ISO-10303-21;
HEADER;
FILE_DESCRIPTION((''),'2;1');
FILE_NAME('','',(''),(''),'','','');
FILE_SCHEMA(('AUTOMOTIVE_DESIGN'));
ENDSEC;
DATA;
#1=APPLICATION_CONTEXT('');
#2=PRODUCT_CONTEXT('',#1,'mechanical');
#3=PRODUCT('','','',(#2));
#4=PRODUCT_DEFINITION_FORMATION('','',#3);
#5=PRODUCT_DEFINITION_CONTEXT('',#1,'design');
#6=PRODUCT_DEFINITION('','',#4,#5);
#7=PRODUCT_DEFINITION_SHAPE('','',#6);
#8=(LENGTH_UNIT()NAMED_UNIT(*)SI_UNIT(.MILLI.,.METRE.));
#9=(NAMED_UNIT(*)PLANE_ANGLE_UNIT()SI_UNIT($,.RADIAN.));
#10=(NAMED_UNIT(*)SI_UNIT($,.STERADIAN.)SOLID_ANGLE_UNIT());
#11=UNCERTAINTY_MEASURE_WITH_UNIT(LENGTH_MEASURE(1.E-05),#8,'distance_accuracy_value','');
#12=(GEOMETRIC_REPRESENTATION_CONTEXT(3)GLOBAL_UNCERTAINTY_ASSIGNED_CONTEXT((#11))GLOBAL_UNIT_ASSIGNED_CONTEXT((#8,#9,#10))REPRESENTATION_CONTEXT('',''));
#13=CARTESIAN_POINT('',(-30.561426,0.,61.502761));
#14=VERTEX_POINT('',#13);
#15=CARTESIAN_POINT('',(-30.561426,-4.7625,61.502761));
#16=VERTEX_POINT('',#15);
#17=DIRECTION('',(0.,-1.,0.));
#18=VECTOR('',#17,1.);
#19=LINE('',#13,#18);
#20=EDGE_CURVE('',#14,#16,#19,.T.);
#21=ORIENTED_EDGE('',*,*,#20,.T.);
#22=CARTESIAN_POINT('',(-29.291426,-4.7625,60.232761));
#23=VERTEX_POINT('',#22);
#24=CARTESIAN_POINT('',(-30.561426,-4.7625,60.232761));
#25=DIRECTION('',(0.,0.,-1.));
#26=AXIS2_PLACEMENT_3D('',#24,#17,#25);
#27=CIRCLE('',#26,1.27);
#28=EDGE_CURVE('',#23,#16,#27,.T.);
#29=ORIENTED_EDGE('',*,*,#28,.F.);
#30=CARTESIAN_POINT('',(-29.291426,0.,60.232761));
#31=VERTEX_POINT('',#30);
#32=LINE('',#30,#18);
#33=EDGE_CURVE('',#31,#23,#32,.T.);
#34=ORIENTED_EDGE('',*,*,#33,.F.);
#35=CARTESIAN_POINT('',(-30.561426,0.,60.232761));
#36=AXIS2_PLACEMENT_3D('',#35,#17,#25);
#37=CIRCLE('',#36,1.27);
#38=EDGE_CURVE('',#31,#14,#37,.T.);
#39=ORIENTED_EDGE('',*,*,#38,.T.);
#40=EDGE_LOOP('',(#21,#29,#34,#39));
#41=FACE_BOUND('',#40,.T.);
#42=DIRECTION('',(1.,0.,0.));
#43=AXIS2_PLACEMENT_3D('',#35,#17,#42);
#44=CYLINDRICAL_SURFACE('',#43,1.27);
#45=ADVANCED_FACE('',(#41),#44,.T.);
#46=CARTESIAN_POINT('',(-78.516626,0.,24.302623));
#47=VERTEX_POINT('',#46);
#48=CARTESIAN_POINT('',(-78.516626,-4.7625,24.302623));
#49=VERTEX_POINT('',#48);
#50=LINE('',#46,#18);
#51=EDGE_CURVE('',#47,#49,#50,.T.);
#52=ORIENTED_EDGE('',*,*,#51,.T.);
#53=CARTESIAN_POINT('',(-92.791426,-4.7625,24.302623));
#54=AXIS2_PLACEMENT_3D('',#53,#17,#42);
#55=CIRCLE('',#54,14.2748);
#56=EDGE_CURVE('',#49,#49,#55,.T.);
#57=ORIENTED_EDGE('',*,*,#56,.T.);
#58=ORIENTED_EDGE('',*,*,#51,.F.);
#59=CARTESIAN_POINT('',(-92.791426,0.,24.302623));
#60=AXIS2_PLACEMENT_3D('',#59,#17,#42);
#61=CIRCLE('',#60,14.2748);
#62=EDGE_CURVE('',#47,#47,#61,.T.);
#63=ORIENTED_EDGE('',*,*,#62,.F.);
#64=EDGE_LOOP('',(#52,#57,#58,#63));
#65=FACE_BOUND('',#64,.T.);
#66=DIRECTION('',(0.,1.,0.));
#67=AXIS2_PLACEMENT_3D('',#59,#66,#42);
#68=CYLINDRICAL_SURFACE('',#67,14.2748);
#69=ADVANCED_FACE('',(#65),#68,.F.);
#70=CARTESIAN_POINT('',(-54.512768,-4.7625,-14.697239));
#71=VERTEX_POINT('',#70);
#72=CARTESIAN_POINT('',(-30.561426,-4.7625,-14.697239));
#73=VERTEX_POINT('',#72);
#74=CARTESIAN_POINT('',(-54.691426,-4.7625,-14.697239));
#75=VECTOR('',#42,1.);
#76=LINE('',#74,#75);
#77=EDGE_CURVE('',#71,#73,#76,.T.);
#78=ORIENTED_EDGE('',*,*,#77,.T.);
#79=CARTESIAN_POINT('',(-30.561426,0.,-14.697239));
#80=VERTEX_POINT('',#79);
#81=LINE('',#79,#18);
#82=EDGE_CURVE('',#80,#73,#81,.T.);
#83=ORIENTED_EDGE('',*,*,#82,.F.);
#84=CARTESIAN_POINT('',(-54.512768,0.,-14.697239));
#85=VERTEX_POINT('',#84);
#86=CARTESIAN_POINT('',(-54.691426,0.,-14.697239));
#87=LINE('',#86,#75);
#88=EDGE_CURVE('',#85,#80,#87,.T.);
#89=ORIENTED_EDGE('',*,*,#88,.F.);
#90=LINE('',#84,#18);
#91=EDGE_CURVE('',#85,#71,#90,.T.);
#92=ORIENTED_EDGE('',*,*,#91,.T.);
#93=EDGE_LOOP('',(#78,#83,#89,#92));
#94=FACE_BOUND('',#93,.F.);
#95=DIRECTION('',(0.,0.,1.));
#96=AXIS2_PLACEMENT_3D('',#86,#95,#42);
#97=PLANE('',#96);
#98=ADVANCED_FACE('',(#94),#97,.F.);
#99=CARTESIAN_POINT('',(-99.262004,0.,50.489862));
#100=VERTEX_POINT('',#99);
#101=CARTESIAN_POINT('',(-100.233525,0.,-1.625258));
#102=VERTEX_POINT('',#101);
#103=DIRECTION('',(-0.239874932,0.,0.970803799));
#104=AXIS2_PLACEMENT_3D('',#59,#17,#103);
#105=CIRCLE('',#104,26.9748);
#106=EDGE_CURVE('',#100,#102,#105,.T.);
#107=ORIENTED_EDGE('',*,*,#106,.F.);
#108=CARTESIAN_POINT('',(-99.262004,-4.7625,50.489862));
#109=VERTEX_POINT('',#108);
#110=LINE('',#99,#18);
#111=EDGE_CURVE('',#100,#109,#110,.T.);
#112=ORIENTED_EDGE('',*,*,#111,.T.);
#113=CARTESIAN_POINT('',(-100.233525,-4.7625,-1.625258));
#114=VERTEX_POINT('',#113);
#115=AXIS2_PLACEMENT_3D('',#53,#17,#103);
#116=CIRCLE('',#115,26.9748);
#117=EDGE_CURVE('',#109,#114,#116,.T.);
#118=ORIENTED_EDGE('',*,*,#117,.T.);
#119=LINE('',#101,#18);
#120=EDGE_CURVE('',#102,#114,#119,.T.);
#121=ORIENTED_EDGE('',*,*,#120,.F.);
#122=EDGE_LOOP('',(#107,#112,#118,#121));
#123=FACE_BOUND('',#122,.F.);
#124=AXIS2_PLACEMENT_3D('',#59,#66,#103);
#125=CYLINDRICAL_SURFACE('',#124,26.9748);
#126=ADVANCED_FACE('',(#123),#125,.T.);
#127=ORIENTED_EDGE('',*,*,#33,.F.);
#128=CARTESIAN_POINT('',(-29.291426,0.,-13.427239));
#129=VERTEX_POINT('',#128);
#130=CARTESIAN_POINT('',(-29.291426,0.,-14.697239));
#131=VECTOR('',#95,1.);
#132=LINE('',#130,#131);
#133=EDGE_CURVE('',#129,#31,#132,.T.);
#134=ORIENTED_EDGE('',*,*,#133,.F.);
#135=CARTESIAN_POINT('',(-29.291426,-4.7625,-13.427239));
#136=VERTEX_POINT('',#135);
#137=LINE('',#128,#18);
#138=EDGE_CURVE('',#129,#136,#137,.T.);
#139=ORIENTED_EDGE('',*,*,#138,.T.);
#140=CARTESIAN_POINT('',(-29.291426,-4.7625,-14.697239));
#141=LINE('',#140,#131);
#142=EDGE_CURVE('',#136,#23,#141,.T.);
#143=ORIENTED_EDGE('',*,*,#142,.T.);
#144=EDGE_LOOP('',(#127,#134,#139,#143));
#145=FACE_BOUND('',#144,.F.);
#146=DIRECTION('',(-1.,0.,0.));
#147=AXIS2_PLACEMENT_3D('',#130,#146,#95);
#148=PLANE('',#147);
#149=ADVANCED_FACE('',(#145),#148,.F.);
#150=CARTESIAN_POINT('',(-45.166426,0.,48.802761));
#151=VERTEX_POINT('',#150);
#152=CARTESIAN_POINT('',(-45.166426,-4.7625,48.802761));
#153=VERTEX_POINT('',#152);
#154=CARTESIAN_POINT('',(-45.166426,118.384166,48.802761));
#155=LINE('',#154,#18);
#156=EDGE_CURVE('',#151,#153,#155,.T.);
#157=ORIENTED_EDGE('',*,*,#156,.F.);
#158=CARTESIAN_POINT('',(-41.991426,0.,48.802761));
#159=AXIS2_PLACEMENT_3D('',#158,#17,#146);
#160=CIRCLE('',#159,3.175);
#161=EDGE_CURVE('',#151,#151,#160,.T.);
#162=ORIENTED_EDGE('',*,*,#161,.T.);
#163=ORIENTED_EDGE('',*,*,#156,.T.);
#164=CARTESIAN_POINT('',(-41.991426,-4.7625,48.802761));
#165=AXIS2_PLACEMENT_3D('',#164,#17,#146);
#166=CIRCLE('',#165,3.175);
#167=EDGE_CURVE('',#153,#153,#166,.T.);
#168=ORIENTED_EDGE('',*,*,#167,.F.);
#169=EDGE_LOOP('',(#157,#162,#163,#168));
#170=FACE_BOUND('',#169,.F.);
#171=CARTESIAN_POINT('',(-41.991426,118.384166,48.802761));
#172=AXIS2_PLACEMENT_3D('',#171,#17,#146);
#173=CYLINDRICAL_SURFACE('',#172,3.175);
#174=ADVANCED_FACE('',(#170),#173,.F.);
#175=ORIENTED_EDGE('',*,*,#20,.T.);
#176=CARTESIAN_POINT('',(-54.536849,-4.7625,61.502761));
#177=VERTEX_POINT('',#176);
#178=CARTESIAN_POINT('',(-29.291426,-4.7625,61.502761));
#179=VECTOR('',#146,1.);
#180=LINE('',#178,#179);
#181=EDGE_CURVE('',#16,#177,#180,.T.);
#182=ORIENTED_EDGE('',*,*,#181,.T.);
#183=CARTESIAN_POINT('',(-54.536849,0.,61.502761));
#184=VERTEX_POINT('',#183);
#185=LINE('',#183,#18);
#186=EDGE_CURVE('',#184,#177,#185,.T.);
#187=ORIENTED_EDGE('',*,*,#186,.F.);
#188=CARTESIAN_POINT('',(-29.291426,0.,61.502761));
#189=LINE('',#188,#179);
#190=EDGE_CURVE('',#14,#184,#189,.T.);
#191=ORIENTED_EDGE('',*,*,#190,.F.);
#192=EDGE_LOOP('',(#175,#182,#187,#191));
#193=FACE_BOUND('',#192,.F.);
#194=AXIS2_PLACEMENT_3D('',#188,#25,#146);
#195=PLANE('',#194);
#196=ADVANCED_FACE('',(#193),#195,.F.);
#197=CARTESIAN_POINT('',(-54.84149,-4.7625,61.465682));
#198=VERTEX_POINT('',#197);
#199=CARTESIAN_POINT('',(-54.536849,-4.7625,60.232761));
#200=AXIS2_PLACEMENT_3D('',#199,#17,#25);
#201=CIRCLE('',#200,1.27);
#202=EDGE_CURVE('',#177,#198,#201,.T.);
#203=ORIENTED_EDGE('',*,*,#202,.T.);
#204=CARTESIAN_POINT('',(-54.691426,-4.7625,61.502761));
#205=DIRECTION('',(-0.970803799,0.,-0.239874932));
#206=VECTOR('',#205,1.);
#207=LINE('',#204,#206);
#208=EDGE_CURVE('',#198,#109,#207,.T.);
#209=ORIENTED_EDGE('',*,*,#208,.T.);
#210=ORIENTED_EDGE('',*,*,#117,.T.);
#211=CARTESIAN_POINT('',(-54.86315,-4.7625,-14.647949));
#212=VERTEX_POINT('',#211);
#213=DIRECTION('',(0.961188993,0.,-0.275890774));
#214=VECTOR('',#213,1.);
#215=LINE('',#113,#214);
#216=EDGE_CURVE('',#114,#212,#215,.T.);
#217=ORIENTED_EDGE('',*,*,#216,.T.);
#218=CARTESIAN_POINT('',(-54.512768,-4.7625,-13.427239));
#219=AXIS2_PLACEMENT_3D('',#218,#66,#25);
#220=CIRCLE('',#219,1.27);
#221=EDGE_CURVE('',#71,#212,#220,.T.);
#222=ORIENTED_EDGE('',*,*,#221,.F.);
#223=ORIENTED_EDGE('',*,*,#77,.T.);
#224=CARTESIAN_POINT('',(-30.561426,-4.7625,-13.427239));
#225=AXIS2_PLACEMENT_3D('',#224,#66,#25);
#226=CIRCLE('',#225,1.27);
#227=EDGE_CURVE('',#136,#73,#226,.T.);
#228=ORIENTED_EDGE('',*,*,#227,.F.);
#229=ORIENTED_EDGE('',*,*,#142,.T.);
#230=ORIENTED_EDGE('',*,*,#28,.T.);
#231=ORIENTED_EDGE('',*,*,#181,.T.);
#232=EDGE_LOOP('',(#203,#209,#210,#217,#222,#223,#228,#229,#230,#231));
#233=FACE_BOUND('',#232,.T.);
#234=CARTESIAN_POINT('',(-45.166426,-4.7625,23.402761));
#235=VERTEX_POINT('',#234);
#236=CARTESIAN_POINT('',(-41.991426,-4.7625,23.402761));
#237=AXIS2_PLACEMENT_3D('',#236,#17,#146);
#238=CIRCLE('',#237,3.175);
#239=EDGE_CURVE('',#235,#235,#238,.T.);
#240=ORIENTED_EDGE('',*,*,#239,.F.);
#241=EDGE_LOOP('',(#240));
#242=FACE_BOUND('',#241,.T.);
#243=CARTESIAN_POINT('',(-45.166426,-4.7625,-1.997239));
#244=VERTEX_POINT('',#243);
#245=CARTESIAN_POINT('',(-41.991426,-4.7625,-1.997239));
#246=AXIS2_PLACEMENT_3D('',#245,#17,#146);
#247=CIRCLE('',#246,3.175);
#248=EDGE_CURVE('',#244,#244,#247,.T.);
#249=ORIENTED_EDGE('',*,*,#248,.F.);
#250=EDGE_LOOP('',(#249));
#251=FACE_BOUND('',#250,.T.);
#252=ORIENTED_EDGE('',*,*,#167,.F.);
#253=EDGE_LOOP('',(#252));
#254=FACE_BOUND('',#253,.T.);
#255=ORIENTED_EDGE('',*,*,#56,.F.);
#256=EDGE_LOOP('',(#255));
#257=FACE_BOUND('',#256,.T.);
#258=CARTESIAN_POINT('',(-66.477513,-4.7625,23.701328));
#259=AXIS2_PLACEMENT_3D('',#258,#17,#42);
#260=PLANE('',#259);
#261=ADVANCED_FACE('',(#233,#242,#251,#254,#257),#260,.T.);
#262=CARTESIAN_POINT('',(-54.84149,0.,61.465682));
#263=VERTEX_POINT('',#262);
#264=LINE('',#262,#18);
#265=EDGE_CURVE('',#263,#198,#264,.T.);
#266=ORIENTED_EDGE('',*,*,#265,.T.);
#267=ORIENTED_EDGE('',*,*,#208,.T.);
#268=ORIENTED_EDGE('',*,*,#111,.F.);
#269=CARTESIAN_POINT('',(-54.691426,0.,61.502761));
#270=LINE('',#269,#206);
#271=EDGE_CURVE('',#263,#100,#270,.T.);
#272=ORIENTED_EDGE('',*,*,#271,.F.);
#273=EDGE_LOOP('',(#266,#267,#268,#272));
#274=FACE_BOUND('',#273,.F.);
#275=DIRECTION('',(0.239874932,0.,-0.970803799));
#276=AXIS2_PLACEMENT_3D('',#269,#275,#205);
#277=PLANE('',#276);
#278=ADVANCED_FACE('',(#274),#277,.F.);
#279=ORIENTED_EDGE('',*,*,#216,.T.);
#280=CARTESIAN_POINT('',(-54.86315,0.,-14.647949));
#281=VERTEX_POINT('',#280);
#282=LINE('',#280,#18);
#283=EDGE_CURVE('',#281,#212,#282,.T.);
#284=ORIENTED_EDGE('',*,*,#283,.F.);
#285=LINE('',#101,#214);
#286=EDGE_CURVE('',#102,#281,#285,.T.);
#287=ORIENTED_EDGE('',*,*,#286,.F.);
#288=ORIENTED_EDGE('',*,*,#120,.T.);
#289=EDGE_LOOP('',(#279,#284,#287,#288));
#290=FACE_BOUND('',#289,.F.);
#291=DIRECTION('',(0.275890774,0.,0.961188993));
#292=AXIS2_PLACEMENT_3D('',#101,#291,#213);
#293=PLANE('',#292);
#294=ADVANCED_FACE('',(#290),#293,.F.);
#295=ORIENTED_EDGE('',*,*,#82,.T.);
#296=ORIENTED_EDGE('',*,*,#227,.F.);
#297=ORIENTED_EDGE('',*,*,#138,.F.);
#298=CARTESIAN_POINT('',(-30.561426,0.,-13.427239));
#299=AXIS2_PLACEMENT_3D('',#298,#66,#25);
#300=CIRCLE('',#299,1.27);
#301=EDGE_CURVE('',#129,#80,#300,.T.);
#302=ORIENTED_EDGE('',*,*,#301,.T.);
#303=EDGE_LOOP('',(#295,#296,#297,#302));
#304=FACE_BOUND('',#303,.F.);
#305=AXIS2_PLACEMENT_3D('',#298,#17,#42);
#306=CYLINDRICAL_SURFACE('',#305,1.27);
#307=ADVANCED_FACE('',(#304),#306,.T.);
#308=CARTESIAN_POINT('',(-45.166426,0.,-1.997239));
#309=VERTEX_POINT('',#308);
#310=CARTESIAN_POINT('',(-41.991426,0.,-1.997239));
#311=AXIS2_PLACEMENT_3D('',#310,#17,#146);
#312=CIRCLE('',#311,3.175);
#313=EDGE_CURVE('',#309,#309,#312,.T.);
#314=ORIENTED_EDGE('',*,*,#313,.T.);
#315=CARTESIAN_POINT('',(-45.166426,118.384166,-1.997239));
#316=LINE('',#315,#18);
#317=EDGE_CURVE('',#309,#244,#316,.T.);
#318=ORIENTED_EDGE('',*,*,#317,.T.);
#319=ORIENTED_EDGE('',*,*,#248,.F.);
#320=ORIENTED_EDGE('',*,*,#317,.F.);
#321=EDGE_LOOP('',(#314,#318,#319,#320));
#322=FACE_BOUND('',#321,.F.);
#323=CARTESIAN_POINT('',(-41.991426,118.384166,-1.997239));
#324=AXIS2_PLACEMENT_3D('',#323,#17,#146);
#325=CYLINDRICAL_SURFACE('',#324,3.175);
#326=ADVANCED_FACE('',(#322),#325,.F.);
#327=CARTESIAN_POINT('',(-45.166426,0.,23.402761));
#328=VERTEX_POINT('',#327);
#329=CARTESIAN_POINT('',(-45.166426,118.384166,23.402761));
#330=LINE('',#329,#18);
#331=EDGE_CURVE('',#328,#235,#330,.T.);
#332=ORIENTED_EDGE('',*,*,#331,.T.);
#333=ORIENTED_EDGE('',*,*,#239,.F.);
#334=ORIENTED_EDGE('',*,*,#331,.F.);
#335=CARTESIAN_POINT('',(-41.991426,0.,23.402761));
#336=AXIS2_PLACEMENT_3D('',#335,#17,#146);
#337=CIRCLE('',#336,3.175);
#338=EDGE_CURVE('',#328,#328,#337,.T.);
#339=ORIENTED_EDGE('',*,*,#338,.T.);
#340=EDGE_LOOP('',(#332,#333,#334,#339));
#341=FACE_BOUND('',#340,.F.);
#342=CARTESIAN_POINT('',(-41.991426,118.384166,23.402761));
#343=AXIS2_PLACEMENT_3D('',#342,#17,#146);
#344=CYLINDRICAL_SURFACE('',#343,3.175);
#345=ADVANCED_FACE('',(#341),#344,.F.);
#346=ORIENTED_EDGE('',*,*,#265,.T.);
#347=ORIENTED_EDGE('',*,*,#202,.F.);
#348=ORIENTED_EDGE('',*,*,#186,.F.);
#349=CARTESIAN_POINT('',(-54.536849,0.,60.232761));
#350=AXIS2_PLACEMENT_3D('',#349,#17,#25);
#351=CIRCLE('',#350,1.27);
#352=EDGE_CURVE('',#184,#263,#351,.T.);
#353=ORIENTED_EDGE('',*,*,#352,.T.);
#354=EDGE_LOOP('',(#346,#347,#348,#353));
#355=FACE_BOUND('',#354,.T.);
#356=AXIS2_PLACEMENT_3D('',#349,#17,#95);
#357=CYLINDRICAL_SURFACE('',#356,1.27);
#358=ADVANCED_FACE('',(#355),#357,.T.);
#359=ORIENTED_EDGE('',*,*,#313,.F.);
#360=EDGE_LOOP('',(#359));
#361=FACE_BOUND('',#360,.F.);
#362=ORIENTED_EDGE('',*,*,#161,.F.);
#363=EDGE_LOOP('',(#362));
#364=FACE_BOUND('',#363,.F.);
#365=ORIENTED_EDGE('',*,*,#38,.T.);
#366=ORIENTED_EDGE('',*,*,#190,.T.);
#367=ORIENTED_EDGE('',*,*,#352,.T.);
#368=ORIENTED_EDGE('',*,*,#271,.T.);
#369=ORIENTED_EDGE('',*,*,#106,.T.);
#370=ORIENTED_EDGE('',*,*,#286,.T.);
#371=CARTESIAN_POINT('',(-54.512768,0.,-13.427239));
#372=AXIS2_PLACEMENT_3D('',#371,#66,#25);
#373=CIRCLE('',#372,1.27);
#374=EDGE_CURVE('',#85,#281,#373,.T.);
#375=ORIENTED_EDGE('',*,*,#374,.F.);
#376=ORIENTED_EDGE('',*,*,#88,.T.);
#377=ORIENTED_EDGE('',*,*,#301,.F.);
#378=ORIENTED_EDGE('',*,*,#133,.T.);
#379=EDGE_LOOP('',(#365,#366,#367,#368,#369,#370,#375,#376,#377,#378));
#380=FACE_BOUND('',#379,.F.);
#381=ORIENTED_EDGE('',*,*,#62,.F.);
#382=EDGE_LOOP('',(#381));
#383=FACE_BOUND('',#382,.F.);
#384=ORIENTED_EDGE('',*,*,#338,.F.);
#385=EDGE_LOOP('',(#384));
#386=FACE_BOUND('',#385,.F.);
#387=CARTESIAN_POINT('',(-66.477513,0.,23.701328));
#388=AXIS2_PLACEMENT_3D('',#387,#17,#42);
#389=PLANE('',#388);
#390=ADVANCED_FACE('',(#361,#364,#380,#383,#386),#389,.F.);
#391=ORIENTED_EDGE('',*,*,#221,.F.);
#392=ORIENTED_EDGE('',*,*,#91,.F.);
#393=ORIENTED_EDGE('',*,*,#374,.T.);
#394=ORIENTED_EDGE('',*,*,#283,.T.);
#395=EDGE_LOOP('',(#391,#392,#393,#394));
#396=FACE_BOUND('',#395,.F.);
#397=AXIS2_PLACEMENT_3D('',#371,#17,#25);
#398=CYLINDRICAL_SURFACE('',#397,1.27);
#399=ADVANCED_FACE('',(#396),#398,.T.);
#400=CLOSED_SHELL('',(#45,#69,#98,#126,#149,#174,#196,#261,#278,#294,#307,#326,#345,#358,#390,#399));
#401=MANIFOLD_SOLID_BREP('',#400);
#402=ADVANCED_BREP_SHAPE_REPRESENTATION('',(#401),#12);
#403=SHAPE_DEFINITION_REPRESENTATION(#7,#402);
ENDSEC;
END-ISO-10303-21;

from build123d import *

# Parameters (mm, degrees)
F0_R     = 14.2748
F1_DEPTH = 4.7625
F2_D     = 6.35
F3_R     = 1.27


with BuildPart() as f1:
    # F0 (on Front) → F1 (new body)
    with BuildSketch(Plane.XZ):
        with BuildLine():
            Line((-29.2914260553, -14.6972390882), (-29.2914260553, 61.5027609118))
            Line((-29.2914260553, 61.5027609118), (-54.6914260553, 61.5027609118))
            Line((-54.6914260553, 61.5027609118), (-99.2620043736, 50.4898616483))
            ThreePointArc((-99.2620043736, 50.4898616483), (-119.7615401749, 24.805395053), (-100.2335245042, -1.6252575368))
            Line((-100.2335245042, -1.6252575368), (-54.6914260553, -14.6972390882))
            Line((-54.6914260553, -14.6972390882), (-29.2914260553, -14.6972390882))
        make_face()
        with Locations((-92.7914260553, 24.3026233199)):
            Circle(F0_R, mode=Mode.SUBTRACT)
    extrude(amount=F1_DEPTH)

    # F2 (through all)
    with Locations(Plane(origin=(0, 0, 0), x_dir=(1, 0, 0), z_dir=(0, 1, 0))):
        with Locations((-41.9914260553, -48.8027609118), (-41.9914260553, -23.4027609118), (-41.9914260553, 1.9972390882)):
            Hole(F2_D / 2)

    # F3
    f3_edges = [f1.edges().sort_by_distance(p)[0] for p in [
        (-29.291426, -2.38125, 61.502761),
        (-29.291426, -2.38125, -14.697239),
        (-54.691426, -2.38125, 61.502761),
        (-54.691426, -2.38125, -14.697239),
    ]]
    fillet(f3_edges, radius=F3_R)


solid = f1.part
